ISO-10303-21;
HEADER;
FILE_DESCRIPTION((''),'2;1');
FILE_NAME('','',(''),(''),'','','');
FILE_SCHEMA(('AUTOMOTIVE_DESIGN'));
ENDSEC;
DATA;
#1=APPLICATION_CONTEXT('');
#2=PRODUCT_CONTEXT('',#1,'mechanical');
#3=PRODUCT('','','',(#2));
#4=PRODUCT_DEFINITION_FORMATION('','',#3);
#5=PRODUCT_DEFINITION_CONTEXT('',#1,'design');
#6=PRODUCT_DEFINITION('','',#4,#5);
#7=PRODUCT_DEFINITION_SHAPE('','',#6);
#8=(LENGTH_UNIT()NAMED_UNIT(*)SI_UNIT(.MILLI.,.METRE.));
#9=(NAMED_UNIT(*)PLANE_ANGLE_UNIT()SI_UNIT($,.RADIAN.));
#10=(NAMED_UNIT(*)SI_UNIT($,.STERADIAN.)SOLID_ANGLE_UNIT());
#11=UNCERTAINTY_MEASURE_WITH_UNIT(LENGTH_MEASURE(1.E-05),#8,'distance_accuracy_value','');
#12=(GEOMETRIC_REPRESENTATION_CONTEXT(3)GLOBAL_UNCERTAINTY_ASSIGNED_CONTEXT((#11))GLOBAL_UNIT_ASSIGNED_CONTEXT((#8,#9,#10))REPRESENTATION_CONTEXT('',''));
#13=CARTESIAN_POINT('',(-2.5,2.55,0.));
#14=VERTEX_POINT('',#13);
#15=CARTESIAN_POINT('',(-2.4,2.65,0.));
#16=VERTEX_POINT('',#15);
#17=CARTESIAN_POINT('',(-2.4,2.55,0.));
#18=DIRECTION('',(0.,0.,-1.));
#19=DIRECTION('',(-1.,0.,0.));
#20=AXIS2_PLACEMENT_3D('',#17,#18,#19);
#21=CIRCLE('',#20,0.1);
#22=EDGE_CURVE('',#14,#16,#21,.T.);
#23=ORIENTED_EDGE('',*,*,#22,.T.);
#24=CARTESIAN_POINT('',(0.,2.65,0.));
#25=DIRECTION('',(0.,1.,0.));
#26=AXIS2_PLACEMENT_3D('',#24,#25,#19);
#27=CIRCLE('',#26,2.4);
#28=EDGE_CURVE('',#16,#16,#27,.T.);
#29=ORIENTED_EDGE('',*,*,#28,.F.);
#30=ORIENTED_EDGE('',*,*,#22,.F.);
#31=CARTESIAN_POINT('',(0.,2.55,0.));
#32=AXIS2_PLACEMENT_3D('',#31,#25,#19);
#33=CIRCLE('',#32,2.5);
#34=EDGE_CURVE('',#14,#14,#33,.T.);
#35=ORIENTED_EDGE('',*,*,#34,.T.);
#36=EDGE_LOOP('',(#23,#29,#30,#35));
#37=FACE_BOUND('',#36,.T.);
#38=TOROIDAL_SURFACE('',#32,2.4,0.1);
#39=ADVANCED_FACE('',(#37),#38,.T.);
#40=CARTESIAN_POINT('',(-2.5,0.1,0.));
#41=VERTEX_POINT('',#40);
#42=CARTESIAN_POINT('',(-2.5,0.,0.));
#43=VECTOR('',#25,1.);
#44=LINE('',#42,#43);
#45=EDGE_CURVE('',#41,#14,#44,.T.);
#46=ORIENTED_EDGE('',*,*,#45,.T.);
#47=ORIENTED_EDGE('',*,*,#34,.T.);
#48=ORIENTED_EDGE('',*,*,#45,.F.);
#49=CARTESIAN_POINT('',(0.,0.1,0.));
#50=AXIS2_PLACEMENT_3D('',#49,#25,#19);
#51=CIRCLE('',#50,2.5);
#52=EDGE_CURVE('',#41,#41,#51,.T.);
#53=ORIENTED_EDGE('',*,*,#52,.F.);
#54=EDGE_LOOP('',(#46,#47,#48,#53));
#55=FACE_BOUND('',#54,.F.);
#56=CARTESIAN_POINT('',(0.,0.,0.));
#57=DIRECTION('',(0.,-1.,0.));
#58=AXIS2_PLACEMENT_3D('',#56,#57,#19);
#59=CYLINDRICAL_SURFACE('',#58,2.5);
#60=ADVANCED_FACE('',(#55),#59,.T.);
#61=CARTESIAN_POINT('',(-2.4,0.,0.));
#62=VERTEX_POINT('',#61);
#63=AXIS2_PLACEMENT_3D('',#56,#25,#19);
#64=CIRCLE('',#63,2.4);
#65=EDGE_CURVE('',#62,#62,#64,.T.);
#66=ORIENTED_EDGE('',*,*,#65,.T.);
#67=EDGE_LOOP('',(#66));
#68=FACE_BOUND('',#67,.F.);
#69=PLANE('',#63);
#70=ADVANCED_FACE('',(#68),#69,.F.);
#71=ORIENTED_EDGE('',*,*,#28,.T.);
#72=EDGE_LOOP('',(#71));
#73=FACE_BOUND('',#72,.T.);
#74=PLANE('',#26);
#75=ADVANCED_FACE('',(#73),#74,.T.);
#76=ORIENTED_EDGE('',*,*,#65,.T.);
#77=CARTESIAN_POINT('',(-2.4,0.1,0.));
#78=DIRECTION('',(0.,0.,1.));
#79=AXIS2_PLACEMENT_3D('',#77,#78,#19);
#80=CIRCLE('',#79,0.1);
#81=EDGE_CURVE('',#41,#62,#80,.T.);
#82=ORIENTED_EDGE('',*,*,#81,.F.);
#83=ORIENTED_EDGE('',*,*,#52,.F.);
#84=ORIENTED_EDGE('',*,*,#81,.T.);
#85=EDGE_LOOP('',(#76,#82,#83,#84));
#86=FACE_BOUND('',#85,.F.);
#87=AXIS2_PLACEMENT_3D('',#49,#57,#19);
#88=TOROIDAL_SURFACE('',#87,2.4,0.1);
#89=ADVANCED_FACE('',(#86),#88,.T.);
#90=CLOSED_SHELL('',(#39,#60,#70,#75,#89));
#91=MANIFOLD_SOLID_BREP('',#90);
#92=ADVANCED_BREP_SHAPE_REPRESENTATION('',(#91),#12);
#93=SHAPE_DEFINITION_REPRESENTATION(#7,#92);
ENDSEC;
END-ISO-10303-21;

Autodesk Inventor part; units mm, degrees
ref_plane "YZ Plane" through (0, 0, 0) normal (1, 0, 0) x (0, 1, 0)
ref_plane "XZ Plane" through (0, 0, 0) normal (0, 1, 0) x (-1, 0, 0)
ref_plane "XY Plane" through (0, 0, 0) normal (0, 0, 1) x (1, 0, 0)
sketch "Sketch1" plane through (0, 0, 0) normal (0, 1, 0) x (-1, 0, 0)
  circle A0 centre (0, 0) radius 2.5
  dimension "d0" = 5
extrude "Extrusion1" add sketch "Sketch1" along normal blind 2.65
fillet "Fillet1" radius 0.1 2 edges at (2.5, 2.65, 0) (2.5, 0, 0)
properties part number "Magnet"
